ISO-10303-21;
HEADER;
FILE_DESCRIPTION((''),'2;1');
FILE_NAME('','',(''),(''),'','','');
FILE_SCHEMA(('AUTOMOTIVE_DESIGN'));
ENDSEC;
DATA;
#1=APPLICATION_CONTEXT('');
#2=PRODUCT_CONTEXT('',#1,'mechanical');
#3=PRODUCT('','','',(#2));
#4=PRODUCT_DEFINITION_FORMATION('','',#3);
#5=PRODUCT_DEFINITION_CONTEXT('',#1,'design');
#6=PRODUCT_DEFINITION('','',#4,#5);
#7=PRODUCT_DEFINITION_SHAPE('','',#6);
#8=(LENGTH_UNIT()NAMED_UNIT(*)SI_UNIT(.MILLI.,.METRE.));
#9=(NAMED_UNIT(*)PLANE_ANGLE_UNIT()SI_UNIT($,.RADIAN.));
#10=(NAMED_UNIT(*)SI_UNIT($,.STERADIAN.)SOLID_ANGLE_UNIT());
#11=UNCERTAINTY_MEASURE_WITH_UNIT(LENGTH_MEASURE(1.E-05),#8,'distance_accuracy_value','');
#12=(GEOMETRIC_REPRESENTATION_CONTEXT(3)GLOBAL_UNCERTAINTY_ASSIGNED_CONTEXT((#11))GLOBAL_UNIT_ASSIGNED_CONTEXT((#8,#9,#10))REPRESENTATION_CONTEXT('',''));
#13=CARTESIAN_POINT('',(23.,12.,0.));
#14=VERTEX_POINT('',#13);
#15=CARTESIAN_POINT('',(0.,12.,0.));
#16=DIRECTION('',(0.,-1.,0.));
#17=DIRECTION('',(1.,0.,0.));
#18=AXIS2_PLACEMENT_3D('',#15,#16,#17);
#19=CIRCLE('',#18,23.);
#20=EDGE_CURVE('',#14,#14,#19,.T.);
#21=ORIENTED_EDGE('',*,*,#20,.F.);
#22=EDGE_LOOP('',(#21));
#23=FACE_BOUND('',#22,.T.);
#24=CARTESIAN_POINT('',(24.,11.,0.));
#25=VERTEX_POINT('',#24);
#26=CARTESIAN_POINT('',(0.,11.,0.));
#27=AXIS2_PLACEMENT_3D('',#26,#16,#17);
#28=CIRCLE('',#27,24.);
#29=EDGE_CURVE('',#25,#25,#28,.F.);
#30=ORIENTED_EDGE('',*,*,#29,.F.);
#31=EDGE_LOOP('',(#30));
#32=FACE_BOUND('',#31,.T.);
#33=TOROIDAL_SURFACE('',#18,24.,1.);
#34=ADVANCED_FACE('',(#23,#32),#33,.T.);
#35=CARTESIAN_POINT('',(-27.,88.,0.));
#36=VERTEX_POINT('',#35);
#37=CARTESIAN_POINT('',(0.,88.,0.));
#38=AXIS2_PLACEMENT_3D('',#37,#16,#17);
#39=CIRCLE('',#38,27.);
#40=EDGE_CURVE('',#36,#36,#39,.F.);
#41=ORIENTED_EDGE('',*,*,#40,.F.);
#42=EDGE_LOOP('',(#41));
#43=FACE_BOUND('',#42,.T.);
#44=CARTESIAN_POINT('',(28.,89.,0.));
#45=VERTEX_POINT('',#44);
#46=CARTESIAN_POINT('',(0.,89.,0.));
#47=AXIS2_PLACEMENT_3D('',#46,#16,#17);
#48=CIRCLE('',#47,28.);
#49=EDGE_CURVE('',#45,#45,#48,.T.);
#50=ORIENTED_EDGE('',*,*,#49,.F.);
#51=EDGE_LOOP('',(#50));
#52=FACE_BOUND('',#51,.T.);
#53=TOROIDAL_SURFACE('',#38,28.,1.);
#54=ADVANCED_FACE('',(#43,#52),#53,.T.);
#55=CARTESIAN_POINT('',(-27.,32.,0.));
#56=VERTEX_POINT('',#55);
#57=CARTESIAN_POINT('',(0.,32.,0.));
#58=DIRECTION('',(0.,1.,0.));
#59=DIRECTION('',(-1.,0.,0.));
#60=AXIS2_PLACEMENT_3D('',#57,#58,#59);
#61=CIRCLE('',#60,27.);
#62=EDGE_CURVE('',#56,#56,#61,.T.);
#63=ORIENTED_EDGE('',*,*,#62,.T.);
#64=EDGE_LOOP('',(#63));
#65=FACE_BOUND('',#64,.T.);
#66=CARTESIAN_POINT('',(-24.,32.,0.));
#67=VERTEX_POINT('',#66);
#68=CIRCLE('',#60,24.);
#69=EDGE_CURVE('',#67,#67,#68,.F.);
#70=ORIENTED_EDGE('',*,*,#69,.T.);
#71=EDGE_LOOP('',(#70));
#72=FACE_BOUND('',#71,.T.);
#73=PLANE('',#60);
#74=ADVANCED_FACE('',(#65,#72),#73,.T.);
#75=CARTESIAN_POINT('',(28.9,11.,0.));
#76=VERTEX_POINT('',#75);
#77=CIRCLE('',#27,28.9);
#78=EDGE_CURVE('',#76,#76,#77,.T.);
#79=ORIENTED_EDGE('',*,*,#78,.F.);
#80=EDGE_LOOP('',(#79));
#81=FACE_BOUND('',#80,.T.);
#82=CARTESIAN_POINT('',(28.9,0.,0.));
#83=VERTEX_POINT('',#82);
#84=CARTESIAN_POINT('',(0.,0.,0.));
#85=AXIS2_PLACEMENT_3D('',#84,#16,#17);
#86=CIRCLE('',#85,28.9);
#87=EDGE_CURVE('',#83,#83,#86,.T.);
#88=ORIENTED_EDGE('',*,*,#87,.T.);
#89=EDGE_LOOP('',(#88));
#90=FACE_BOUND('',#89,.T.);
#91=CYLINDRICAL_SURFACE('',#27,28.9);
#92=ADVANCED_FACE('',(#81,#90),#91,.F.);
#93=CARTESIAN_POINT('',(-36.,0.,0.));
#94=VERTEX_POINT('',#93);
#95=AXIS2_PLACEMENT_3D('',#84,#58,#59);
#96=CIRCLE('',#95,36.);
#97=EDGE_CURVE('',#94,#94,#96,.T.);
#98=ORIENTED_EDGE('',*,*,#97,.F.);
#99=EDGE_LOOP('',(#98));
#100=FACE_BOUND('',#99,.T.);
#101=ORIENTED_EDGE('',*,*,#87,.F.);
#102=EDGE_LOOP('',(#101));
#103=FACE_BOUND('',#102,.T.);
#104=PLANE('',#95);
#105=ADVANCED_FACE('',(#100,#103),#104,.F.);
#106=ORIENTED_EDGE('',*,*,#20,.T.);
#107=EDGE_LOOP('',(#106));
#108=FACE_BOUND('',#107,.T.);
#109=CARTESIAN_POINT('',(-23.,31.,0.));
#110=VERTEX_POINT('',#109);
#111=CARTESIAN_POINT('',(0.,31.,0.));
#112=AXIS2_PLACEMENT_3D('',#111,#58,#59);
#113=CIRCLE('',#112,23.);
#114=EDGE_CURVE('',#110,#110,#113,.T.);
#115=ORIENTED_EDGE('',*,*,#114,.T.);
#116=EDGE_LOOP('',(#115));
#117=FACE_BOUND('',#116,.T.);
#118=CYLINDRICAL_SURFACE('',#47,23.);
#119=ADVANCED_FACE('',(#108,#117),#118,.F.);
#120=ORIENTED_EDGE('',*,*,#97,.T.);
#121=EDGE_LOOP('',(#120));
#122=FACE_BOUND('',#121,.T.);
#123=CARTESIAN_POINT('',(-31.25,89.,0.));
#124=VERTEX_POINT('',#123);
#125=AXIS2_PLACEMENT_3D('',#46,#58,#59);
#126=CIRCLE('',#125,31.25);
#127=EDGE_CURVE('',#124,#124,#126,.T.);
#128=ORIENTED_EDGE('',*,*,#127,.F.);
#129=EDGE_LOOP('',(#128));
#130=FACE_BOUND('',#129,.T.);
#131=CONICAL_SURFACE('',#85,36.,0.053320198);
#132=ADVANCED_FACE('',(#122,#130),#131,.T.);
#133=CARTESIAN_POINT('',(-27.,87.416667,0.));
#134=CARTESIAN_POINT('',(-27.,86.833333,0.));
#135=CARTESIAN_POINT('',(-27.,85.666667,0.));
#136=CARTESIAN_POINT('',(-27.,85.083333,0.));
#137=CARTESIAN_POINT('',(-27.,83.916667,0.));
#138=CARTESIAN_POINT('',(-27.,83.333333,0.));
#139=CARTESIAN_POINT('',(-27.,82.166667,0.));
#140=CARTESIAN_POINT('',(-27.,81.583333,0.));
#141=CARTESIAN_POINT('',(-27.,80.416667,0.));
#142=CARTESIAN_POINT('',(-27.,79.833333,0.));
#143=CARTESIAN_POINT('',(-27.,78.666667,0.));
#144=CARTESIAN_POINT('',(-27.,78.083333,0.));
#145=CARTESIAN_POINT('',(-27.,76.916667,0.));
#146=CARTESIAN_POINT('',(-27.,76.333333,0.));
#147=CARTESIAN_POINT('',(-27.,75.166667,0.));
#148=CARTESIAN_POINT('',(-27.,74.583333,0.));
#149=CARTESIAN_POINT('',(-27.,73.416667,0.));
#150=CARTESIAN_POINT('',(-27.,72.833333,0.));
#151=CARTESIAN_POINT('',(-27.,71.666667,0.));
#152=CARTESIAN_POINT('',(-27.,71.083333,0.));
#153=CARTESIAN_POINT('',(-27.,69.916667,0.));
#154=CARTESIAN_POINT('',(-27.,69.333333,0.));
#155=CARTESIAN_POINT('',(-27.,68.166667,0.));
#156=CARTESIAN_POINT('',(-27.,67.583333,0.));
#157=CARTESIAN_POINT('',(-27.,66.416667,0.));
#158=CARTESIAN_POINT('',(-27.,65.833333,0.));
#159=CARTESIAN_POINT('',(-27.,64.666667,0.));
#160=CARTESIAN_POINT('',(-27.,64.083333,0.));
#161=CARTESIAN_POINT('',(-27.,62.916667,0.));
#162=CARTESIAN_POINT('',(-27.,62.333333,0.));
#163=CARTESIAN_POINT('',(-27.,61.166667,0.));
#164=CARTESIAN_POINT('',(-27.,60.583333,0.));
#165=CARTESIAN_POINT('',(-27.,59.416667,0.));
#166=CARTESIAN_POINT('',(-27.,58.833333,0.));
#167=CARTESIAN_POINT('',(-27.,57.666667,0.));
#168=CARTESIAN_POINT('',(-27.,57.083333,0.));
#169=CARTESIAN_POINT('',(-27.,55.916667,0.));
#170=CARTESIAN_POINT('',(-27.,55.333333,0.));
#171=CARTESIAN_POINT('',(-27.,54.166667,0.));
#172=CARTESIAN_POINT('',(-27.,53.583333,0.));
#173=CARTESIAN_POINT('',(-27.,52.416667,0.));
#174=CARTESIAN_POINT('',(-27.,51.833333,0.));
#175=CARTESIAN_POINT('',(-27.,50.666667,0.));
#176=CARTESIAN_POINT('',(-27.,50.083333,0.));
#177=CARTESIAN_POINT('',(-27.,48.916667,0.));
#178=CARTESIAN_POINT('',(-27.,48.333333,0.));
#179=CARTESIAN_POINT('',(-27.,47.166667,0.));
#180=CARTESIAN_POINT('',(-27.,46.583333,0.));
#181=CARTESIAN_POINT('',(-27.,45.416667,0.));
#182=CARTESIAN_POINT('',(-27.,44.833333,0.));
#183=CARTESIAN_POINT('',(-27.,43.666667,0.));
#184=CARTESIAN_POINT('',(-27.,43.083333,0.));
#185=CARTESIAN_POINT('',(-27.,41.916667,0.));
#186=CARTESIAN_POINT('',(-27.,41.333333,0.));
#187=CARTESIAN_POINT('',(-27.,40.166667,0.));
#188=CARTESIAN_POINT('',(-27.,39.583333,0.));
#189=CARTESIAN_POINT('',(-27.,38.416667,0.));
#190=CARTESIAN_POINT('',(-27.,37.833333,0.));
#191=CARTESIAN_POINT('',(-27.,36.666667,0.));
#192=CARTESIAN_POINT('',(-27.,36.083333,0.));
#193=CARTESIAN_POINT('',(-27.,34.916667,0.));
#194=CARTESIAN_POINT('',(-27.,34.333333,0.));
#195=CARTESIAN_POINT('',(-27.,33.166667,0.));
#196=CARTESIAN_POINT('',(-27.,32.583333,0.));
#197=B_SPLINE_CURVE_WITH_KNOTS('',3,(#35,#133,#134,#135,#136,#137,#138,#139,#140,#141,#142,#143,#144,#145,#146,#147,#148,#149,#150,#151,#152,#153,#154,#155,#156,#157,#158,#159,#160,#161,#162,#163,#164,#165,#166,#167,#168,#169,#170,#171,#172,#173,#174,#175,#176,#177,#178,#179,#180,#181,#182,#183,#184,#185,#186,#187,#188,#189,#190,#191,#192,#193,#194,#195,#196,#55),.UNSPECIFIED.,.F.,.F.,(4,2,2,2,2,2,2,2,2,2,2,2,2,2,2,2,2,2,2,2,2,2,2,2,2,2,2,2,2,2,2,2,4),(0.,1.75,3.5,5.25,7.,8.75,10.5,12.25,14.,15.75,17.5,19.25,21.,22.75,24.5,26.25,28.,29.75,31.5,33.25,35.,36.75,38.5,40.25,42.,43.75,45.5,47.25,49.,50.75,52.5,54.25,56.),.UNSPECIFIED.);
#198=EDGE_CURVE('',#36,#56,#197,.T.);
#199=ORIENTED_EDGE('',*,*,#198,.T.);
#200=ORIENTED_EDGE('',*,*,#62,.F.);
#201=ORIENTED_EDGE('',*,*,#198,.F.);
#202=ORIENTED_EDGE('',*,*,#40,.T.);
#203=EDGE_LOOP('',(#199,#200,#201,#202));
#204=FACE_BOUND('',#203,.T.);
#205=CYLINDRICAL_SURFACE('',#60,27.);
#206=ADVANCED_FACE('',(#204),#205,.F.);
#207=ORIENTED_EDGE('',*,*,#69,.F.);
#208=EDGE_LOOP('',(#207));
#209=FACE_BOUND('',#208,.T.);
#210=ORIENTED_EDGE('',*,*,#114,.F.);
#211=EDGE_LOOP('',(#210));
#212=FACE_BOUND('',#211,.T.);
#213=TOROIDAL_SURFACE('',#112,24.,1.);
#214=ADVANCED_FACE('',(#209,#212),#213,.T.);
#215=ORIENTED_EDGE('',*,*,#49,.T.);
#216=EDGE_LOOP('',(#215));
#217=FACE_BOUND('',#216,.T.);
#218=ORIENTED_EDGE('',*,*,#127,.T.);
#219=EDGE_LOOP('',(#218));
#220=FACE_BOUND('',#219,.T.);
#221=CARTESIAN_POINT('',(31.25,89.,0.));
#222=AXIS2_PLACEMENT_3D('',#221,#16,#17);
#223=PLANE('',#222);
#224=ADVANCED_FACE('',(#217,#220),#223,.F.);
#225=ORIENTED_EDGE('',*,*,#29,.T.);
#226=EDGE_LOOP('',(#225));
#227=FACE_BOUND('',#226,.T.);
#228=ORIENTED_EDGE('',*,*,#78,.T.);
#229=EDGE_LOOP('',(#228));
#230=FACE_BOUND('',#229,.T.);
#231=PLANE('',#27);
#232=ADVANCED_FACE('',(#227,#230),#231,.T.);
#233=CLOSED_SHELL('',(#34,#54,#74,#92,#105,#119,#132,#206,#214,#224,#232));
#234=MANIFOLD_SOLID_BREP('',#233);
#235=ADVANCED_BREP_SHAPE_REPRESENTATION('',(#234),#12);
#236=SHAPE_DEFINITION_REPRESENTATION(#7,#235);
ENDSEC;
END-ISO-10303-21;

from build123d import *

# Parameters (mm, degrees)
SKETCH_2_R          = 27
CUT_EXTRUDE_1_DEPTH = 57
SKETCH_3_R          = 28.9
CUT_EXTRUDE_2_DEPTH = 11
SKETCH_4_R          = 23
CUT_EXTRUDE_3_DEPTH = 94.145048178
FILLET_1_R          = 1
FILLET_3_R          = 1


with BuildPart() as part:
    # 草圖1 → 旋轉1 (revolve)
    with BuildSketch(Plane.XY, mode=Mode.PRIVATE) as revolve_1_sk:
        Polygon((0, 0), (36, 0), (31.25, 89), (0, 89), align=None)
    revolve(revolve_1_sk.sketch.rotate(Axis((0, 89, 0), (0, -1, 0)), 180), axis=Axis((0, 89, 0), (0, -1, 0)))

    # 草圖2 → 除料-伸長1 (cut)
    with BuildSketch(Plane(origin=(0, 89, 0), x_dir=(1, 0, 0), z_dir=(0, 1, 0))):
        with Locations(Location((0, 0, 0), (0, 0, 180))):
            Circle(SKETCH_2_R)
    extrude(amount=-CUT_EXTRUDE_1_DEPTH, mode=Mode.SUBTRACT)

    # 草圖3 → 除料-伸長2 (cut)
    with BuildSketch(Plane.XZ):
        Circle(SKETCH_3_R)
    extrude(amount=-CUT_EXTRUDE_2_DEPTH, mode=Mode.SUBTRACT)

    # 草圖4 → 除料-伸長3 (cut, through all)
    with BuildSketch(Plane.XZ.offset(-11)):
        Circle(SKETCH_4_R)
    extrude(amount=-CUT_EXTRUDE_3_DEPTH, mode=Mode.SUBTRACT)

    # 圓角1
    fillet_1_edges = [part.edges().sort_by_distance(p)[0] for p in [
        (27, 89, 0),
    ]]
    fillet(fillet_1_edges, radius=FILLET_1_R)

    # 圓角3
    fillet_3_edges = [part.edges().sort_by_distance(p)[0] for p in [
        (-23, 32, 0),
        (-23, 11, 0),
    ]]
    fillet(fillet_3_edges, radius=FILLET_3_R)


solid = part.part
